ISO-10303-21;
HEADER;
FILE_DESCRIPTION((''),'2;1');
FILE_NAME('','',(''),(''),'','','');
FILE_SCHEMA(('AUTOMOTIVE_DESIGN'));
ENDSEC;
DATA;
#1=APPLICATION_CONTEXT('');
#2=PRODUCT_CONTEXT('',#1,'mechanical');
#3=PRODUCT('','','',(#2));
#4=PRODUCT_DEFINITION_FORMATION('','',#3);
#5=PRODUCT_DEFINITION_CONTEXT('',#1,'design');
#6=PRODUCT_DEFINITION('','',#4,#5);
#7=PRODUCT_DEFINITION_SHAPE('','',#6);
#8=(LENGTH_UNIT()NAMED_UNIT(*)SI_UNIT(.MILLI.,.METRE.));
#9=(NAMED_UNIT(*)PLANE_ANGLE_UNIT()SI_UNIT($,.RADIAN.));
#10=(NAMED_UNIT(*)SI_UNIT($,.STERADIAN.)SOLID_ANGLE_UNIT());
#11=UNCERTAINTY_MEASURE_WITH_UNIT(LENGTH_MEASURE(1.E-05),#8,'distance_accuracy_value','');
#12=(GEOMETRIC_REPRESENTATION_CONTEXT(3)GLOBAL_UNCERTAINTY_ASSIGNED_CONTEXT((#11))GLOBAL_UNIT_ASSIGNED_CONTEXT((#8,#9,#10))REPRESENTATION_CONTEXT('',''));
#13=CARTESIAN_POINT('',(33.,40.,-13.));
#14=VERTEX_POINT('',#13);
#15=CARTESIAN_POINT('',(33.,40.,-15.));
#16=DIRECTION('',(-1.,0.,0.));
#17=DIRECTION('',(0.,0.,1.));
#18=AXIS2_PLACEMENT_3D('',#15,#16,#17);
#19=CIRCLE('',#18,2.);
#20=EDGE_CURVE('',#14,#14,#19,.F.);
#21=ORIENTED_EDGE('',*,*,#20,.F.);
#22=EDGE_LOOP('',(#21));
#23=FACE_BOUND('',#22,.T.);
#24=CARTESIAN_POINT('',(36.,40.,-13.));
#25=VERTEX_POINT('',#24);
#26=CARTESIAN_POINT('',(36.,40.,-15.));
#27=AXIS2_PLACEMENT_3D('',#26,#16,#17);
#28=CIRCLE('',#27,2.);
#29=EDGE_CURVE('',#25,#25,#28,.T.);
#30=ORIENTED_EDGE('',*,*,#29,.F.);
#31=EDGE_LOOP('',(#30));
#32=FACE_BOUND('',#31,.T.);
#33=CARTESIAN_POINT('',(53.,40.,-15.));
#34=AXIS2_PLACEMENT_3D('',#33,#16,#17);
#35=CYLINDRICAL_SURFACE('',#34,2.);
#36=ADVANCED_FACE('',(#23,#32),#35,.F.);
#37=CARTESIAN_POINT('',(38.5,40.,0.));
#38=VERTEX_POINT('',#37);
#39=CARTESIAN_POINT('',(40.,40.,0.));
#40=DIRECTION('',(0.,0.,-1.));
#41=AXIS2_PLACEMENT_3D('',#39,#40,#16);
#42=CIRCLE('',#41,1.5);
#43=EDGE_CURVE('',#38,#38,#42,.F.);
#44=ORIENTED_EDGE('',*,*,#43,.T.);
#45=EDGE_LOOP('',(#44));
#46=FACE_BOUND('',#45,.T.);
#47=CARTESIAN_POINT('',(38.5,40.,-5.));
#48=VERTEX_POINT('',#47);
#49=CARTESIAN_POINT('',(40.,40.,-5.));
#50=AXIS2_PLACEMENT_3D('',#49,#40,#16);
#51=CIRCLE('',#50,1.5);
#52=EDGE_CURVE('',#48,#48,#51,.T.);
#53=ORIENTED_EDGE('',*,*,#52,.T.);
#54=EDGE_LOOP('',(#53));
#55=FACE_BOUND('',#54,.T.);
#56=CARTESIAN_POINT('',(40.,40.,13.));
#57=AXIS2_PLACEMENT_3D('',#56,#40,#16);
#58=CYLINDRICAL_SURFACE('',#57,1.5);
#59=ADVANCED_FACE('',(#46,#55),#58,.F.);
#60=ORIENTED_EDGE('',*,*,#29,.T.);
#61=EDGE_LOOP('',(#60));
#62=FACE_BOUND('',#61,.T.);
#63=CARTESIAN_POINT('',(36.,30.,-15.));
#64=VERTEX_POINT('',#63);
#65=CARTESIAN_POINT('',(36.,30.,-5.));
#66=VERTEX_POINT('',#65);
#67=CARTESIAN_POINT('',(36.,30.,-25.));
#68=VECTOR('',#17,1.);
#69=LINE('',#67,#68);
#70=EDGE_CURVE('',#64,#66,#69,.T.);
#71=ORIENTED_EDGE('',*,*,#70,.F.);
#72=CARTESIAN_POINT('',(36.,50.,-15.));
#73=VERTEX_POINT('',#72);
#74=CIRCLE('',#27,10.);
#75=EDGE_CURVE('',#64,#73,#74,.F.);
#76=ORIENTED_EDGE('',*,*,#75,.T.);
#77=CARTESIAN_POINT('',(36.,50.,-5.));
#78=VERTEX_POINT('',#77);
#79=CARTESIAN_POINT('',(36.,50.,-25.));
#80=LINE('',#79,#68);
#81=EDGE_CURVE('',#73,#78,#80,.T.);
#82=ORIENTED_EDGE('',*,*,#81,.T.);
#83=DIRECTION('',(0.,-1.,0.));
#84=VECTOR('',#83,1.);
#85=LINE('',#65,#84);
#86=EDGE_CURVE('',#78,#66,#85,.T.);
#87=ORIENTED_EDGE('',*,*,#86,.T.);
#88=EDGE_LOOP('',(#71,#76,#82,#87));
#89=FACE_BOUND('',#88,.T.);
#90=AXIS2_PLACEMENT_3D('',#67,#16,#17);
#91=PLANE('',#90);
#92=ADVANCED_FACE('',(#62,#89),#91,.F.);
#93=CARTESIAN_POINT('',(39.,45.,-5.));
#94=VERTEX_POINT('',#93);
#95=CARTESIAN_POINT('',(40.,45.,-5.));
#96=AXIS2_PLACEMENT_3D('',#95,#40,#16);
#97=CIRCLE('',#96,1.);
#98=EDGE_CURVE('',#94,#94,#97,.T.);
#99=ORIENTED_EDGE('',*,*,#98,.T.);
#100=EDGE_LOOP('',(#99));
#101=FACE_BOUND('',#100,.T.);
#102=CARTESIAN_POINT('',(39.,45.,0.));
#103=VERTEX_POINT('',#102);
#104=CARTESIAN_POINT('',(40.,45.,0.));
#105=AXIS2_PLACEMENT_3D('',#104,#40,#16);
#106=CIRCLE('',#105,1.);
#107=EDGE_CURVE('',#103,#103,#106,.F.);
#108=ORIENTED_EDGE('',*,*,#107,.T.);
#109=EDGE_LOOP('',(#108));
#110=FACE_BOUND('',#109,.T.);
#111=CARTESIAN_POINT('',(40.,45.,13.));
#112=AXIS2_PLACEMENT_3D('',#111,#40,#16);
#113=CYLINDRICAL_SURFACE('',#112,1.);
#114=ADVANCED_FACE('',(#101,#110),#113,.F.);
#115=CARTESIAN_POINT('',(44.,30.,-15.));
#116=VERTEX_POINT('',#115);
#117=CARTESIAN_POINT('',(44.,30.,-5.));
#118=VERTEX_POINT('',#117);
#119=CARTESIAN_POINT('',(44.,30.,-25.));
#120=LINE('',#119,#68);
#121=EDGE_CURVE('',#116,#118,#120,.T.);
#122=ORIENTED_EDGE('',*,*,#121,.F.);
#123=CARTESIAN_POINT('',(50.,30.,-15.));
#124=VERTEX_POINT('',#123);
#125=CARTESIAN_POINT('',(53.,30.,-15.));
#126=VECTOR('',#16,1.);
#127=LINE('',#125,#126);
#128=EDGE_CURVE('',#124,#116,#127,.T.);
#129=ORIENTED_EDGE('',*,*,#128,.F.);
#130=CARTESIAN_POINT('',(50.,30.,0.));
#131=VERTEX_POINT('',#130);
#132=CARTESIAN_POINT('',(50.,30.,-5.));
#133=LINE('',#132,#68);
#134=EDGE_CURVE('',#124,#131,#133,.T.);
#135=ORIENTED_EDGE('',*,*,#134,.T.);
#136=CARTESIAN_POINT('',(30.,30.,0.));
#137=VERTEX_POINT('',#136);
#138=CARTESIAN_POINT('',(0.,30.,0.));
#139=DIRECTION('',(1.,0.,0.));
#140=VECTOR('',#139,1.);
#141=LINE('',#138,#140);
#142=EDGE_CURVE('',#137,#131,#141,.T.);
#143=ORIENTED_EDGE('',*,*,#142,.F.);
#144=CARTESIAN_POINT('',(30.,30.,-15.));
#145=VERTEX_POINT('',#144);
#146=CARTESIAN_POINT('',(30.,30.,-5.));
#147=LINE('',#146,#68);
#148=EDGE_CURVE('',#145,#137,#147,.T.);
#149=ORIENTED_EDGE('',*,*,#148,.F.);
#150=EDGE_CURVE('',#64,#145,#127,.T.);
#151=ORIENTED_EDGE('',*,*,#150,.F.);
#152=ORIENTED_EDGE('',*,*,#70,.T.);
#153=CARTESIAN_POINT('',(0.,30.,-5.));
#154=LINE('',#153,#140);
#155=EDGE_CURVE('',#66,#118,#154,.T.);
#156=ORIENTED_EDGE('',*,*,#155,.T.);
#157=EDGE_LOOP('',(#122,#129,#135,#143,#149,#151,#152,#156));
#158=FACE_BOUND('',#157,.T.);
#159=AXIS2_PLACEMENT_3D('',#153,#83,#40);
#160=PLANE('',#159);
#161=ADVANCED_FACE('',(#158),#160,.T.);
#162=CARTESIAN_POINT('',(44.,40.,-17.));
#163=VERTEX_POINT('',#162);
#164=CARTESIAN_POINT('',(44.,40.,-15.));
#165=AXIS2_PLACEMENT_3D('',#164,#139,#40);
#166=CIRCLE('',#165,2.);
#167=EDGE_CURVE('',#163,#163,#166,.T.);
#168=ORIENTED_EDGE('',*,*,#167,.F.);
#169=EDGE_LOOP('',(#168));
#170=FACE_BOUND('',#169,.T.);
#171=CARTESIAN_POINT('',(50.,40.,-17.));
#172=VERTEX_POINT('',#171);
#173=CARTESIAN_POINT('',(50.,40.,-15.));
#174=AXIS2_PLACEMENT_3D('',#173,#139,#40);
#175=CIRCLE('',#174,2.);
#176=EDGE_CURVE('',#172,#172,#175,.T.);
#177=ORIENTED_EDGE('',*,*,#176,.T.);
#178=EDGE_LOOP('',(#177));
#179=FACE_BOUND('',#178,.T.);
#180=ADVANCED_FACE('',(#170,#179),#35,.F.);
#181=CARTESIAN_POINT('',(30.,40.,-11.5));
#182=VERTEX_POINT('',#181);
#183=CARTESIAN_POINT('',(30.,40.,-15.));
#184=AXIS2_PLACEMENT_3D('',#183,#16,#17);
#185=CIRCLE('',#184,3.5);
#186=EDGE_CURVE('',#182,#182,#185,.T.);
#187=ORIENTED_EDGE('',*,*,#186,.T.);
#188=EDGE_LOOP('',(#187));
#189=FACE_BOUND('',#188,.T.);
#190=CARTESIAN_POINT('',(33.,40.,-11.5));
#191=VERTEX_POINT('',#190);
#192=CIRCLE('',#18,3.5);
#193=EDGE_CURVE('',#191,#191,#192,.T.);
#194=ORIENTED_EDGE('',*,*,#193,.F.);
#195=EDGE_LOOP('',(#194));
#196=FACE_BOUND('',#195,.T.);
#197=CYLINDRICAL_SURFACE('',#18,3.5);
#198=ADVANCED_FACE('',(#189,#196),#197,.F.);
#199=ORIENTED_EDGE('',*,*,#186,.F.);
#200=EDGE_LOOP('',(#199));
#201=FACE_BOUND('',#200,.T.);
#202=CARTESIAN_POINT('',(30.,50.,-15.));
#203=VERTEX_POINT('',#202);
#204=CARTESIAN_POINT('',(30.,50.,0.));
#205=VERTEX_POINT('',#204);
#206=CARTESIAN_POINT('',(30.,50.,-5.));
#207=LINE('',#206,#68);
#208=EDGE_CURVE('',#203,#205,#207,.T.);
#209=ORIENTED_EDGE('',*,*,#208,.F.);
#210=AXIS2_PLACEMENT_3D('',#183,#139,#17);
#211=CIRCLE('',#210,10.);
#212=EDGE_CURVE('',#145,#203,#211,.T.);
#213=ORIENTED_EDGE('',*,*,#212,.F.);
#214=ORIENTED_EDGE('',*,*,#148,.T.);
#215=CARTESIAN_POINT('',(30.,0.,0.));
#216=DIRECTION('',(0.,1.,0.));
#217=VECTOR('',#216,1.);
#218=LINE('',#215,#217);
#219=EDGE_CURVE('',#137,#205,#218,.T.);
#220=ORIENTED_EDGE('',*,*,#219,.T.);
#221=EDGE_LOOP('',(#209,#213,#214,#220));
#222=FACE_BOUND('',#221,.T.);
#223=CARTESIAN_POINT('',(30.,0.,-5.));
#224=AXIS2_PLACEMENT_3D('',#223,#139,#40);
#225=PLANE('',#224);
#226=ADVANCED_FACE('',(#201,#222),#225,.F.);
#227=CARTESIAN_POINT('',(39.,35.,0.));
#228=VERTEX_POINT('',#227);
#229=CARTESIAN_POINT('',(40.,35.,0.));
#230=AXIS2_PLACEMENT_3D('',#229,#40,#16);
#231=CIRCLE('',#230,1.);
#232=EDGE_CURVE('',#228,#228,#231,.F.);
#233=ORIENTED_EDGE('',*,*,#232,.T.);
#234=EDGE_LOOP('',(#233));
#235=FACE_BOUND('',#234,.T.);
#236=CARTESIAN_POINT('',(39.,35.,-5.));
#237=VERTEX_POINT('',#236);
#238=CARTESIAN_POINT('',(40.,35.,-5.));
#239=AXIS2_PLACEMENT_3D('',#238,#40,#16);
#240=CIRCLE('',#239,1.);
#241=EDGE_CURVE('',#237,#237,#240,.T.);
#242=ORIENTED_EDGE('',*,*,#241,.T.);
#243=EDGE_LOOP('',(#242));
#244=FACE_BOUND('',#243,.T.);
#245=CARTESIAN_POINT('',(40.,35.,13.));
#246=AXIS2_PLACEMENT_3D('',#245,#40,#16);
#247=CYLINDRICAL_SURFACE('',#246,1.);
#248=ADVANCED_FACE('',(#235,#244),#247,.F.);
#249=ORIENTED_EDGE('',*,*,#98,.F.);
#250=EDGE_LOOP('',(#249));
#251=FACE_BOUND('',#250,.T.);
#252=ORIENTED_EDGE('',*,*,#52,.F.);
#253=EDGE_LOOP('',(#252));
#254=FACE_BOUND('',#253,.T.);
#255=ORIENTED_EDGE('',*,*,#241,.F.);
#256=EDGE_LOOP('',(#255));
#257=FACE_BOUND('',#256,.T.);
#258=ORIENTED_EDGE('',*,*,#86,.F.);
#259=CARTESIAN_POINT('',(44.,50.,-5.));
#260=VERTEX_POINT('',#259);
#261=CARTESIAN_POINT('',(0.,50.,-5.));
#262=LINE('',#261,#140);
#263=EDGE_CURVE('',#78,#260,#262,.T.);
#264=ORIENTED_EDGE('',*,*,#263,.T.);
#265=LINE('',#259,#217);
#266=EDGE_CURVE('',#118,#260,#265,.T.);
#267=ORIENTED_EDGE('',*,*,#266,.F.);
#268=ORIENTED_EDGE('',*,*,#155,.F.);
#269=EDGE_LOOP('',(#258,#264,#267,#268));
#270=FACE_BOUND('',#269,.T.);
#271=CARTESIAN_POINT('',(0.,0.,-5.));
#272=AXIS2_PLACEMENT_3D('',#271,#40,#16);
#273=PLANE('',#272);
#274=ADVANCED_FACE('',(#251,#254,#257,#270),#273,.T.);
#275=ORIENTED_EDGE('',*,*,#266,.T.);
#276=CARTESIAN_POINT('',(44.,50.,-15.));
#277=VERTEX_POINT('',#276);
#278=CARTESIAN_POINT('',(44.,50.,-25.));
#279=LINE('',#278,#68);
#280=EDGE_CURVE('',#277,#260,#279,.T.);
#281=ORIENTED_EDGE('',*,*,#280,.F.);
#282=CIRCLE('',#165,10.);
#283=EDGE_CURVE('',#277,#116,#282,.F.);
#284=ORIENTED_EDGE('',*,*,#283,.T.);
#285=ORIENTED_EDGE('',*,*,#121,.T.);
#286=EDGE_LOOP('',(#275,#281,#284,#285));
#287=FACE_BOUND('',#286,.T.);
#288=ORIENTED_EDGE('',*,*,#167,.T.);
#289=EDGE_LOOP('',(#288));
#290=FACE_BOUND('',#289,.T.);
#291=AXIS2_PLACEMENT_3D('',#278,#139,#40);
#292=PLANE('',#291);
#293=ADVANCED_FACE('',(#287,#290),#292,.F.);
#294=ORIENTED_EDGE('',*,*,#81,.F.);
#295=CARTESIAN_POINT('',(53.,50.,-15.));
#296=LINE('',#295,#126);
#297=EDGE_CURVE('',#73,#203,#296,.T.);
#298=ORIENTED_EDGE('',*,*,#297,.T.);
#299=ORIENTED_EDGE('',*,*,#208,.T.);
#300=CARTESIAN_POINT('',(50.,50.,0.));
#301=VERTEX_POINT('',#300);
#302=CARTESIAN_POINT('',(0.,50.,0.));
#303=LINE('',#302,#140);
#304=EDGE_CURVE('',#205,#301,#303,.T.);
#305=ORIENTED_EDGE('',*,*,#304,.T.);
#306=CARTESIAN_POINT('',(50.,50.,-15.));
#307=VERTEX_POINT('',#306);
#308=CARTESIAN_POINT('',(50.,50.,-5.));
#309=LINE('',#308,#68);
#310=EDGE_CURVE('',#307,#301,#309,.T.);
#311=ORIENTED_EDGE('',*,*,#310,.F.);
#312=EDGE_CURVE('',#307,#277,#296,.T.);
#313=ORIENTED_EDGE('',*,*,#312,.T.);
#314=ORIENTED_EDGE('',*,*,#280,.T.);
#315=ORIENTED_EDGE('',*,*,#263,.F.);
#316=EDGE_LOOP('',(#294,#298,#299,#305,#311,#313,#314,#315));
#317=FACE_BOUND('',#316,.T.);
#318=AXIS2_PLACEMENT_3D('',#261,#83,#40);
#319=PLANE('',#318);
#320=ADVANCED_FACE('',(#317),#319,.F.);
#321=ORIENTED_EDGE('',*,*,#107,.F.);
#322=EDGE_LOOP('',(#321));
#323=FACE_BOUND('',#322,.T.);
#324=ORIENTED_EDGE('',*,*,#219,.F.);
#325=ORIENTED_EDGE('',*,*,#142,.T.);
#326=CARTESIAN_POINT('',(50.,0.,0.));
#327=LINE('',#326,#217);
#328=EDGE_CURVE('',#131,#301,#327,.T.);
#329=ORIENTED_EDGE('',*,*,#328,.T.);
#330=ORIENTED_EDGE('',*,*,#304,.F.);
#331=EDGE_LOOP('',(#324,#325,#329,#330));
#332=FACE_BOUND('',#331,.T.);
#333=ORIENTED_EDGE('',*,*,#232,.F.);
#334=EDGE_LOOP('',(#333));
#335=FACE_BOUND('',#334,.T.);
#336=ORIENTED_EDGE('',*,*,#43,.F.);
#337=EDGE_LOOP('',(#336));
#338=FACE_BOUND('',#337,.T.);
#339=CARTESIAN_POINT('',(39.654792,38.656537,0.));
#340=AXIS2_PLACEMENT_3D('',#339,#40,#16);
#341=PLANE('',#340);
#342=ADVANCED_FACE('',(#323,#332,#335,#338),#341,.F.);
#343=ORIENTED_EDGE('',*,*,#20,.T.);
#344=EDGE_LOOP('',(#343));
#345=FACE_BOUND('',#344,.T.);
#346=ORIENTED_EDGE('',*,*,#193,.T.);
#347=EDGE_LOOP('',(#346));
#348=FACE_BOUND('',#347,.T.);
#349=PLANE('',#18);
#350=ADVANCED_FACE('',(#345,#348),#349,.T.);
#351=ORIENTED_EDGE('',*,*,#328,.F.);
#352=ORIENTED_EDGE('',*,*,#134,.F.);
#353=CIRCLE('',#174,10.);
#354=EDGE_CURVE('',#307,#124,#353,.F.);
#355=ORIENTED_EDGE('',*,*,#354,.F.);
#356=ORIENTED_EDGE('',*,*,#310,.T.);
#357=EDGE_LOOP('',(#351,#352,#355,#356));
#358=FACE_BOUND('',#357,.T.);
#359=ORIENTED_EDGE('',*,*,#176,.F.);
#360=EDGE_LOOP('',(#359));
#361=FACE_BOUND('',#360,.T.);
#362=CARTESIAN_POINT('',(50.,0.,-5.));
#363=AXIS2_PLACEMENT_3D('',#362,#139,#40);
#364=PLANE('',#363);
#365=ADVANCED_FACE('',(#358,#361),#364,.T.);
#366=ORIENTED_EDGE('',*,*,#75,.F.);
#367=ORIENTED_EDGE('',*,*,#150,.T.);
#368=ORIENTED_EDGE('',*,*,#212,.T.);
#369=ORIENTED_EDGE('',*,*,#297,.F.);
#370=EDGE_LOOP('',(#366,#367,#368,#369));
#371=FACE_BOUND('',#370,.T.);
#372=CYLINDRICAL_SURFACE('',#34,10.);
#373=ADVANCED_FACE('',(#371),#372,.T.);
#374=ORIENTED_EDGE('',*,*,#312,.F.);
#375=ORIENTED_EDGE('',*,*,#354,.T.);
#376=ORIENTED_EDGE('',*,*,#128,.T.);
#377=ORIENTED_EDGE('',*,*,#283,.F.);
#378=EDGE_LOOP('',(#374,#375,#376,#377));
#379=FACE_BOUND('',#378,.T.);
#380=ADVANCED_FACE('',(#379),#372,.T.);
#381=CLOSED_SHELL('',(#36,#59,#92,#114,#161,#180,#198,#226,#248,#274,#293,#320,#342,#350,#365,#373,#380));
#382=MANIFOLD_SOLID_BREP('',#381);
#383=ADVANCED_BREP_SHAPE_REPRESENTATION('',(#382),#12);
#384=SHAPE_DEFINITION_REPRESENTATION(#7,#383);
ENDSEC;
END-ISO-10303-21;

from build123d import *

# Parameters (mm, degrees)
SKETCH1_W           = 80
SKETCH1_H           = 80
BOSS_EXTRUDE1_DEPTH = 2
SKETCH2_W           = 80
SKETCH2_H           = 80
SKETCH2_W_2         = 78
SKETCH2_H_2         = 78
BOSS_EXTRUDE2_DEPTH = 15
FILLET1_R           = 20
FILLET2_R           = 10
FILLET3_R           = 20
FILLET4_R           = 10
SKETCH3_R           = 1
BOSS_EXTRUDE3_DEPTH = 6
SKETCH4_W           = 10
SKETCH4_H           = 10
BOSS_EXTRUDE4_DEPTH = 5
SKETCH5_W           = 6
SKETCH5_H           = 20
BOSS_EXTRUDE5_DEPTH = 20
CUT_EXTRUDE1_DEPTH  = 23
SKETCH7_R           = 2
CUT_EXTRUDE2_DEPTH  = 23
SKETCH8_R           = 3.5
CUT_EXTRUDE3_DEPTH  = 3
SKETCH9_R           = 1
CUT_EXTRUDE4_DEPTH  = 18
SKETCH10_R          = 1.5
CUT_EXTRUDE5_DEPTH  = 18
SKETCH11_R          = 69.283397128
CUT_EXTRUDE6_DEPTH  = 37


with BuildPart() as part:
    # Sketch1 → Boss-Extrude1 (new body)
    with BuildSketch(Plane.XY):
        with Locations((40, 40)):
            Rectangle(SKETCH1_W, SKETCH1_H)
    extrude(amount=BOSS_EXTRUDE1_DEPTH)

    # Sketch2 → Boss-Extrude2 (add)
    with BuildSketch(Plane.XY.offset(2)):
        with Locations((40, 40)):
            Rectangle(SKETCH2_W, SKETCH2_H)
        with Locations((40, 40)):
            Rectangle(SKETCH2_W_2, SKETCH2_H_2, mode=Mode.SUBTRACT)
    extrude(amount=BOSS_EXTRUDE2_DEPTH)

    # Fillet1
    fillet1_edges = [part.edges().sort_by_distance(p)[0] for p in [
        (1, 79, 9.5),
        (1, 1, 9.5),
        (79, 1, 9.5),
        (79, 79, 9.5),
    ]]
    fillet(fillet1_edges, radius=FILLET1_R)

    # Fillet2
    fillet2_edges = [part.edges().sort_by_distance(p)[0] for p in [
        (40, 1, 2),
        (79, 40, 2),
        (40, 79, 2),
        (1, 40, 2),
        (6.857864376, 73.142135624, 2),
        (73.142135624, 73.142135624, 2),
        (6.857864376, 6.857864376, 2),
        (73.142135624, 6.857864376, 2),
    ]]
    fillet(fillet2_edges, radius=FILLET2_R)

    # Fillet3
    fillet3_edges = [part.edges().sort_by_distance(p)[0] for p in [
        (0, 80, 8.5),
        (80, 80, 8.5),
        (80, 0, 8.5),
        (0, 0, 8.5),
    ]]
    fillet(fillet3_edges, radius=FILLET3_R)

    # Fillet4
    fillet4_edges = [part.edges().sort_by_distance(p)[0] for p in [
        (80, 40, 0),
        (0, 40, 0),
        (40, 80, 0),
        (40, 0, 0),
        (5.857864376, 5.857864376, 0),
        (5.857864376, 74.142135624, 0),
        (74.142135624, 74.142135624, 0),
        (74.142135624, 5.857864376, 0),
    ]]
    fillet(fillet4_edges, radius=FILLET4_R)

    # Sketch3 → Boss-Extrude3 (add)
    with BuildSketch(Plane.XY.offset(17)):
        with BuildLine():
            Line((72.292824946, 5.37212195), (70.635028843, 4.105439789))
            Line((70.635028843, 4.105439789), (70.635028843, 7.564971157))
            ThreePointArc((70.635028843, 7.564971157), (71.162236636, 8.837763364), (72.435028843, 9.364971157))
            Line((72.435028843, 9.364971157), (76.003973901, 9.364971157))
            Line((76.003973901, 9.364971157), (72.292824946, 5.37212195))
        make_face()
        with Locations((72.435028843, 7.564971157)):
            Circle(SKETCH3_R, mode=Mode.SUBTRACT)
        with BuildLine():
            Line((9.364971157, 4.105439789), (9.364971157, 7.564971157))
            ThreePointArc((9.364971157, 7.564971157), (8.837763364, 8.837763364), (7.564971157, 9.364971157))
            Line((7.564971157, 9.364971157), (3.996026099, 9.364971157))
            Line((3.996026099, 9.364971157), (7.707175054, 5.37212195))
            Line((7.707175054, 5.37212195), (9.364971157, 4.105439789))
        make_face()
        with Locations((7.564971157, 7.564971157)):
            Circle(SKETCH3_R, mode=Mode.SUBTRACT)
        with BuildLine():
            Line((70.635028843, 75.894560211), (70.635028843, 72.435028843))
            ThreePointArc((70.635028843, 72.435028843), (71.162236636, 71.162236636), (72.435028843, 70.635028843))
            Line((72.435028843, 70.635028843), (76.003973901, 70.635028843))
            Line((76.003973901, 70.635028843), (72.292824946, 74.62787805))
            Line((72.292824946, 74.62787805), (70.635028843, 75.894560211))
        make_face()
        with Locations((72.435028843, 72.435028843)):
            Circle(SKETCH3_R, mode=Mode.SUBTRACT)
        with BuildLine():
            Line((7.707175054, 74.62787805), (9.364971157, 75.894560211))
            Line((9.364971157, 75.894560211), (9.364971157, 72.435028843))
            ThreePointArc((9.364971157, 72.435028843), (8.837763364, 71.162236636), (7.564971157, 70.635028843))
            Line((7.564971157, 70.635028843), (3.996026099, 70.635028843))
            Line((3.996026099, 70.635028843), (7.707175054, 74.62787805))
        make_face()
        with Locations((7.564971157, 72.435028843)):
            Circle(SKETCH3_R, mode=Mode.SUBTRACT)
    extrude(amount=-BOSS_EXTRUDE3_DEPTH)

    # Sketch4 → Boss-Extrude4 (add)
    with BuildSketch(Plane(origin=(0, 0, 0), x_dir=(-1, 0, 0), z_dir=(0, 0, -1))):
        with Locations((-35, 35)):
            Rectangle(SKETCH4_W, SKETCH4_H)
        with Locations((-35, 45)):
            Rectangle(SKETCH4_W, SKETCH4_H)
        with Locations((-45, 45)):
            Rectangle(SKETCH4_W, SKETCH4_H)
        with Locations((-45, 35)):
            Rectangle(SKETCH4_W, SKETCH4_H)
    extrude(amount=BOSS_EXTRUDE4_DEPTH)

    # Sketch5 → Boss-Extrude5 (add)
    with BuildSketch(Plane(origin=(0, 0, -5), x_dir=(-1, 0, 0), z_dir=(0, 0, -1))):
        with Locations((-33, 40)):
            Rectangle(SKETCH5_W, SKETCH5_H)
        with Locations((-47, 40)):
            Rectangle(SKETCH5_W, SKETCH5_H)
    extrude(amount=BOSS_EXTRUDE5_DEPTH)

    # Sketch6 → Cut-Extrude1 (cut)
    with BuildSketch(Plane.ZY.offset(-30)):
        with BuildLine():
            Line((-15, 30), (-19.756708154, 21.186247086))
            Line((-19.756708154, 21.186247086), (-29.168380108, 27.64799201))
            Line((-29.168380108, 27.64799201), (-29.168380108, 53.846153493))
            Line((-29.168380108, 53.846153493), (-15, 50))
            ThreePointArc((-15, 50), (-25, 40), (-15, 30))
        make_face()
    extrude(amount=-CUT_EXTRUDE1_DEPTH, mode=Mode.SUBTRACT)

    # Sketch7 → Cut-Extrude2 (cut)
    with BuildSketch(Plane.ZY.offset(-30)):
        with Locations((-15, 40)):
            Circle(SKETCH7_R)
    extrude(amount=-CUT_EXTRUDE2_DEPTH, mode=Mode.SUBTRACT)

    # Sketch8 → Cut-Extrude3 (cut)
    with BuildSketch(Plane.ZY.offset(-30)):
        with Locations((-15, 40)):
            Circle(SKETCH8_R)
    extrude(amount=-CUT_EXTRUDE3_DEPTH, mode=Mode.SUBTRACT)

    # Sketch9 → Cut-Extrude4 (cut)
    with BuildSketch(Plane(origin=(0, 0, -5), x_dir=(-1, 0, 0), z_dir=(0, 0, -1))):
        with Locations((-40, 45)):
            Circle(SKETCH9_R)
        with Locations((-40, 35)):
            Circle(SKETCH9_R)
    extrude(amount=-CUT_EXTRUDE4_DEPTH, mode=Mode.SUBTRACT)

    # Sketch10 → Cut-Extrude5 (cut)
    with BuildSketch(Plane(origin=(0, 0, -5), x_dir=(-1, 0, 0), z_dir=(0, 0, -1))):
        with Locations((-40, 40)):
            Circle(SKETCH10_R)
    extrude(amount=-CUT_EXTRUDE5_DEPTH, mode=Mode.SUBTRACT)

    # Sketch11 → Cut-Extrude6 (cut)
    with BuildSketch(Plane(origin=(0, 0, 0), x_dir=(-1, 0, 0), z_dir=(0, 0, -1))):
        with Locations((-39.654791549, 38.656536987)):
            Circle(SKETCH11_R)
    extrude(amount=-CUT_EXTRUDE6_DEPTH, mode=Mode.SUBTRACT)


solid = part.part
